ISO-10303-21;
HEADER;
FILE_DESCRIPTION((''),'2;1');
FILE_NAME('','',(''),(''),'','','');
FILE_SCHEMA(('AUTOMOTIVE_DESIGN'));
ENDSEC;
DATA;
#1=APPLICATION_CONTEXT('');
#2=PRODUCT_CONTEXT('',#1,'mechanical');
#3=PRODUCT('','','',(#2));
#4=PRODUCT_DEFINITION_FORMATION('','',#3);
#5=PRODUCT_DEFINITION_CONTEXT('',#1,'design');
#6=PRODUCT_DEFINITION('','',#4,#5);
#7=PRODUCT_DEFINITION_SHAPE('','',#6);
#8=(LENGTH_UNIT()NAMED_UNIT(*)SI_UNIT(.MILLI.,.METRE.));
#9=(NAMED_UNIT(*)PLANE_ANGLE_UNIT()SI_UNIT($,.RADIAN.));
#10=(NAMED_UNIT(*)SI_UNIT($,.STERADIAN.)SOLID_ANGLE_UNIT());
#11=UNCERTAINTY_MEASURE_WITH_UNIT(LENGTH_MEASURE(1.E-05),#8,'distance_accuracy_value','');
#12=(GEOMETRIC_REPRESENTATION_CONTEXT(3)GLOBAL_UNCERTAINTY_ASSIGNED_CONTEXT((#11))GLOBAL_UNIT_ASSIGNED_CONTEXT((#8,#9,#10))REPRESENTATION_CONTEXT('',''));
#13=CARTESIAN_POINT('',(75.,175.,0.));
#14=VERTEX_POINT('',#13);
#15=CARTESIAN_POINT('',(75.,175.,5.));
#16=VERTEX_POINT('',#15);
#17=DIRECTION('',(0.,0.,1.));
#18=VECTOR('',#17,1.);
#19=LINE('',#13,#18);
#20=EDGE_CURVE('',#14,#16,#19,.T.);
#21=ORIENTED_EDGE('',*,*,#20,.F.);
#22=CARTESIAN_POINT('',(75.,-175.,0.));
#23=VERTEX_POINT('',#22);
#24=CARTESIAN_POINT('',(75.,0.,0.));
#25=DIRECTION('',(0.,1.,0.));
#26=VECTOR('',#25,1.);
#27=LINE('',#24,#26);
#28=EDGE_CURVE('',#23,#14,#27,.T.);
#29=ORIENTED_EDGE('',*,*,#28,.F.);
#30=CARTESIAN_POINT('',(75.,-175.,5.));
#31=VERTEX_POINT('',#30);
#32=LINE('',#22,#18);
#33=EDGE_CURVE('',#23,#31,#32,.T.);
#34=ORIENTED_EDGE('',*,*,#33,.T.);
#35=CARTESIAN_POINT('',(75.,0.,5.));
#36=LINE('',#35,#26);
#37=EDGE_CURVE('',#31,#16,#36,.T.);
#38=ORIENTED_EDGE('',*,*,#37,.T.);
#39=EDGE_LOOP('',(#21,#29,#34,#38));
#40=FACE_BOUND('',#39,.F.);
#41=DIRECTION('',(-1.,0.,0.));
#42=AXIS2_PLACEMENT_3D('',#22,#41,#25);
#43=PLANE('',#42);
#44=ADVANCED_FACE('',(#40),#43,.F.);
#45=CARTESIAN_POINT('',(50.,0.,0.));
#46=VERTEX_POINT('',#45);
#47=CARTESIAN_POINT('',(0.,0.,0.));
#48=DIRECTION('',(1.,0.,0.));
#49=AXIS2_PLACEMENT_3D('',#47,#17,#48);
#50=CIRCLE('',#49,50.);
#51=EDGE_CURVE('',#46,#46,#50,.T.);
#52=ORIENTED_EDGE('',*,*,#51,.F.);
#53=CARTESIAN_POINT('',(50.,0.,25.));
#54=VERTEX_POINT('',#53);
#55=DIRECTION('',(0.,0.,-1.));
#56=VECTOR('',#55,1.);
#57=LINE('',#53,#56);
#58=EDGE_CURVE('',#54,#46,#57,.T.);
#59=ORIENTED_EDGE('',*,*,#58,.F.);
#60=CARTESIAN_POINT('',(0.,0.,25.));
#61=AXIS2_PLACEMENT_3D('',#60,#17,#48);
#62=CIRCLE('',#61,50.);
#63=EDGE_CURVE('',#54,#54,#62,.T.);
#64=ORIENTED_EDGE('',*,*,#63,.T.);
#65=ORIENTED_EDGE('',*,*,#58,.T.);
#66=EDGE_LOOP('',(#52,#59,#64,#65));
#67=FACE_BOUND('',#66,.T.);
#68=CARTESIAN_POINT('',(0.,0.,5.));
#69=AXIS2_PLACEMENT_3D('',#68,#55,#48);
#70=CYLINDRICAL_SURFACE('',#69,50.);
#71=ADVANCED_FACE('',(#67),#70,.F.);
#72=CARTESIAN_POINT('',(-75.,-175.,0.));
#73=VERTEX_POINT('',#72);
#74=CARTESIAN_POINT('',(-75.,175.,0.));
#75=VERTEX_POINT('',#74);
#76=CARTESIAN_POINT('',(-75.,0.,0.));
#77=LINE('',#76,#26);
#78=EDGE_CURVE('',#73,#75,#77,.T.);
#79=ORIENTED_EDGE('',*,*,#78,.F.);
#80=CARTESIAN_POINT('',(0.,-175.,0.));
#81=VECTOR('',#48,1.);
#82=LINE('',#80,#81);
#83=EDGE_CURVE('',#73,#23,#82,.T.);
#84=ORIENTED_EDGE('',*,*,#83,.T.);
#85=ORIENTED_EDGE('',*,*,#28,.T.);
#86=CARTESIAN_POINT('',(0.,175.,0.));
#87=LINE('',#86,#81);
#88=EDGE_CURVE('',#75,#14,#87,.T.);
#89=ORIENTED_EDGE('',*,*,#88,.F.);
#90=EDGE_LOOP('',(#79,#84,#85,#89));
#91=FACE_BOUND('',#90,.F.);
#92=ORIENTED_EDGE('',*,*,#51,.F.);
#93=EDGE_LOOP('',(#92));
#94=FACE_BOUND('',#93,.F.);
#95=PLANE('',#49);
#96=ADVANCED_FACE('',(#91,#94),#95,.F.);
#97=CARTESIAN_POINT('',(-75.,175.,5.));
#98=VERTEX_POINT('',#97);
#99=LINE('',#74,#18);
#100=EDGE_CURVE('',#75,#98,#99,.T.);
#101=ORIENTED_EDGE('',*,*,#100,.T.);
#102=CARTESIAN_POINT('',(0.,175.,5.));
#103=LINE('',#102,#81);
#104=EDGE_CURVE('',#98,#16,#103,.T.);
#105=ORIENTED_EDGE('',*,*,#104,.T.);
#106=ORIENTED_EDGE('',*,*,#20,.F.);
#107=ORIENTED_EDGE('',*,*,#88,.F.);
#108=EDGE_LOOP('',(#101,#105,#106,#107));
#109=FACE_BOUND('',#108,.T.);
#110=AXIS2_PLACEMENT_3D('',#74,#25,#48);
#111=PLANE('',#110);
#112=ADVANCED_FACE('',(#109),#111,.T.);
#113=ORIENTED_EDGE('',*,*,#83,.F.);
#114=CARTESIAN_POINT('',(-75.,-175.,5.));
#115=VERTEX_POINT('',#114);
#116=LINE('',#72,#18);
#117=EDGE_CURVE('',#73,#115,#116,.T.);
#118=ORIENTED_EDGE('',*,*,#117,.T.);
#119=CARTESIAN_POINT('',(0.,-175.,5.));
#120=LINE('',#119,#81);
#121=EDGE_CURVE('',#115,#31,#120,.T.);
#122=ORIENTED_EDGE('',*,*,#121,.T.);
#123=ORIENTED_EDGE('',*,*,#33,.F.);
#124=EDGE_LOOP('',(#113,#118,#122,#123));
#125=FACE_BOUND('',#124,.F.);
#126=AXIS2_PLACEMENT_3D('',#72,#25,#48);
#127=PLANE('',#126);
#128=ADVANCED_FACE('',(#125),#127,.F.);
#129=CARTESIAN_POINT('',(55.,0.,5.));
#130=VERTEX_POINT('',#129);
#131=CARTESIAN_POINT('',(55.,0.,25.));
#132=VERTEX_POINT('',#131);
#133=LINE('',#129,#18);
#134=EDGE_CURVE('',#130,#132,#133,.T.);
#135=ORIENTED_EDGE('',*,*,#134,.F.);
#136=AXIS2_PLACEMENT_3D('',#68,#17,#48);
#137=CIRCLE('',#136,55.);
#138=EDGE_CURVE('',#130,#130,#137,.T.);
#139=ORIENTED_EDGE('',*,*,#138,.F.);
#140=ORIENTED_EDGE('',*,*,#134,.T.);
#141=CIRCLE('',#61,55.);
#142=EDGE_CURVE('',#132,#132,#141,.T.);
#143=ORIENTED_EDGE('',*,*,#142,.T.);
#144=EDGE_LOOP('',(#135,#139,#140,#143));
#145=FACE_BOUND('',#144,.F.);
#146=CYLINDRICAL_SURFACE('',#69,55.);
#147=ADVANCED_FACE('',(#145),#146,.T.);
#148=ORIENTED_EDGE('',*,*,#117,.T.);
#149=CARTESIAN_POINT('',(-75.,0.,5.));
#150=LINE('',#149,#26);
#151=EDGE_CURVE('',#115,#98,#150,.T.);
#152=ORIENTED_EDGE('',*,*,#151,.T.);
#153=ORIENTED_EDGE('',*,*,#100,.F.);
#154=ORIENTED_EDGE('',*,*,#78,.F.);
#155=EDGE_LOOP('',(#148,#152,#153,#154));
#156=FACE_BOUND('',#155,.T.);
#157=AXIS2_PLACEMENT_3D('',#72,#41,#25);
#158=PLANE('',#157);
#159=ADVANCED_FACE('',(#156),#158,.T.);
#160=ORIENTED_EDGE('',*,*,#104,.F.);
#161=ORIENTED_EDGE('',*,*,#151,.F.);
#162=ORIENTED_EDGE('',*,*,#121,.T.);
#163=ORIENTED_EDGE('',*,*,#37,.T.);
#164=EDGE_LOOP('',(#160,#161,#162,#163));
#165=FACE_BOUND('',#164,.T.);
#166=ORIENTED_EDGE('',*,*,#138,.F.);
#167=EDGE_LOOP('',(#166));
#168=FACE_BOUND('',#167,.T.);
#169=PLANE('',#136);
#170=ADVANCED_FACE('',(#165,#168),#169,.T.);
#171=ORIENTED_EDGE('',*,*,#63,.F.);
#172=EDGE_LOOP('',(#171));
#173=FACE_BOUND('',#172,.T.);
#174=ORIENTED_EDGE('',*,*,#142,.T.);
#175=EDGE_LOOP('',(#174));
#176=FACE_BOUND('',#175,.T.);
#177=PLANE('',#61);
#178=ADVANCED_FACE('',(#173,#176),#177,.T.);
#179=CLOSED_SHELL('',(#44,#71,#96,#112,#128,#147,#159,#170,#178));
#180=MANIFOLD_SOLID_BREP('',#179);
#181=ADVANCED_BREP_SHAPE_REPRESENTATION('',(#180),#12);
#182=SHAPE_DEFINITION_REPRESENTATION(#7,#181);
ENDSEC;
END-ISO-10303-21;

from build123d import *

# Parameters (mm, degrees)
F0_W     = 150
F0_H     = 350
F1_DEPTH = 5
F2_R     = 50
F3_DEPTH = 5
F2_R_2   = 55
F4_DEPTH = 20


with BuildPart() as f1:
    # F0 (on Top) → F1 (new body)
    with BuildSketch(Plane.XY):
        Rectangle(F0_W, F0_H)
    extrude(amount=F1_DEPTH)

    # F2 (on face) → F3 (cut, through all)
    with BuildSketch(Plane.XY.offset(5)):
        Circle(F2_R)
    extrude(amount=-F3_DEPTH, mode=Mode.SUBTRACT)

    # F2 (on face) → F4 (join)
    with BuildSketch(Plane.XY.offset(5)):
        Circle(F2_R_2)
        Circle(F2_R, mode=Mode.SUBTRACT)
    extrude(amount=F4_DEPTH)


solid = f1.part
